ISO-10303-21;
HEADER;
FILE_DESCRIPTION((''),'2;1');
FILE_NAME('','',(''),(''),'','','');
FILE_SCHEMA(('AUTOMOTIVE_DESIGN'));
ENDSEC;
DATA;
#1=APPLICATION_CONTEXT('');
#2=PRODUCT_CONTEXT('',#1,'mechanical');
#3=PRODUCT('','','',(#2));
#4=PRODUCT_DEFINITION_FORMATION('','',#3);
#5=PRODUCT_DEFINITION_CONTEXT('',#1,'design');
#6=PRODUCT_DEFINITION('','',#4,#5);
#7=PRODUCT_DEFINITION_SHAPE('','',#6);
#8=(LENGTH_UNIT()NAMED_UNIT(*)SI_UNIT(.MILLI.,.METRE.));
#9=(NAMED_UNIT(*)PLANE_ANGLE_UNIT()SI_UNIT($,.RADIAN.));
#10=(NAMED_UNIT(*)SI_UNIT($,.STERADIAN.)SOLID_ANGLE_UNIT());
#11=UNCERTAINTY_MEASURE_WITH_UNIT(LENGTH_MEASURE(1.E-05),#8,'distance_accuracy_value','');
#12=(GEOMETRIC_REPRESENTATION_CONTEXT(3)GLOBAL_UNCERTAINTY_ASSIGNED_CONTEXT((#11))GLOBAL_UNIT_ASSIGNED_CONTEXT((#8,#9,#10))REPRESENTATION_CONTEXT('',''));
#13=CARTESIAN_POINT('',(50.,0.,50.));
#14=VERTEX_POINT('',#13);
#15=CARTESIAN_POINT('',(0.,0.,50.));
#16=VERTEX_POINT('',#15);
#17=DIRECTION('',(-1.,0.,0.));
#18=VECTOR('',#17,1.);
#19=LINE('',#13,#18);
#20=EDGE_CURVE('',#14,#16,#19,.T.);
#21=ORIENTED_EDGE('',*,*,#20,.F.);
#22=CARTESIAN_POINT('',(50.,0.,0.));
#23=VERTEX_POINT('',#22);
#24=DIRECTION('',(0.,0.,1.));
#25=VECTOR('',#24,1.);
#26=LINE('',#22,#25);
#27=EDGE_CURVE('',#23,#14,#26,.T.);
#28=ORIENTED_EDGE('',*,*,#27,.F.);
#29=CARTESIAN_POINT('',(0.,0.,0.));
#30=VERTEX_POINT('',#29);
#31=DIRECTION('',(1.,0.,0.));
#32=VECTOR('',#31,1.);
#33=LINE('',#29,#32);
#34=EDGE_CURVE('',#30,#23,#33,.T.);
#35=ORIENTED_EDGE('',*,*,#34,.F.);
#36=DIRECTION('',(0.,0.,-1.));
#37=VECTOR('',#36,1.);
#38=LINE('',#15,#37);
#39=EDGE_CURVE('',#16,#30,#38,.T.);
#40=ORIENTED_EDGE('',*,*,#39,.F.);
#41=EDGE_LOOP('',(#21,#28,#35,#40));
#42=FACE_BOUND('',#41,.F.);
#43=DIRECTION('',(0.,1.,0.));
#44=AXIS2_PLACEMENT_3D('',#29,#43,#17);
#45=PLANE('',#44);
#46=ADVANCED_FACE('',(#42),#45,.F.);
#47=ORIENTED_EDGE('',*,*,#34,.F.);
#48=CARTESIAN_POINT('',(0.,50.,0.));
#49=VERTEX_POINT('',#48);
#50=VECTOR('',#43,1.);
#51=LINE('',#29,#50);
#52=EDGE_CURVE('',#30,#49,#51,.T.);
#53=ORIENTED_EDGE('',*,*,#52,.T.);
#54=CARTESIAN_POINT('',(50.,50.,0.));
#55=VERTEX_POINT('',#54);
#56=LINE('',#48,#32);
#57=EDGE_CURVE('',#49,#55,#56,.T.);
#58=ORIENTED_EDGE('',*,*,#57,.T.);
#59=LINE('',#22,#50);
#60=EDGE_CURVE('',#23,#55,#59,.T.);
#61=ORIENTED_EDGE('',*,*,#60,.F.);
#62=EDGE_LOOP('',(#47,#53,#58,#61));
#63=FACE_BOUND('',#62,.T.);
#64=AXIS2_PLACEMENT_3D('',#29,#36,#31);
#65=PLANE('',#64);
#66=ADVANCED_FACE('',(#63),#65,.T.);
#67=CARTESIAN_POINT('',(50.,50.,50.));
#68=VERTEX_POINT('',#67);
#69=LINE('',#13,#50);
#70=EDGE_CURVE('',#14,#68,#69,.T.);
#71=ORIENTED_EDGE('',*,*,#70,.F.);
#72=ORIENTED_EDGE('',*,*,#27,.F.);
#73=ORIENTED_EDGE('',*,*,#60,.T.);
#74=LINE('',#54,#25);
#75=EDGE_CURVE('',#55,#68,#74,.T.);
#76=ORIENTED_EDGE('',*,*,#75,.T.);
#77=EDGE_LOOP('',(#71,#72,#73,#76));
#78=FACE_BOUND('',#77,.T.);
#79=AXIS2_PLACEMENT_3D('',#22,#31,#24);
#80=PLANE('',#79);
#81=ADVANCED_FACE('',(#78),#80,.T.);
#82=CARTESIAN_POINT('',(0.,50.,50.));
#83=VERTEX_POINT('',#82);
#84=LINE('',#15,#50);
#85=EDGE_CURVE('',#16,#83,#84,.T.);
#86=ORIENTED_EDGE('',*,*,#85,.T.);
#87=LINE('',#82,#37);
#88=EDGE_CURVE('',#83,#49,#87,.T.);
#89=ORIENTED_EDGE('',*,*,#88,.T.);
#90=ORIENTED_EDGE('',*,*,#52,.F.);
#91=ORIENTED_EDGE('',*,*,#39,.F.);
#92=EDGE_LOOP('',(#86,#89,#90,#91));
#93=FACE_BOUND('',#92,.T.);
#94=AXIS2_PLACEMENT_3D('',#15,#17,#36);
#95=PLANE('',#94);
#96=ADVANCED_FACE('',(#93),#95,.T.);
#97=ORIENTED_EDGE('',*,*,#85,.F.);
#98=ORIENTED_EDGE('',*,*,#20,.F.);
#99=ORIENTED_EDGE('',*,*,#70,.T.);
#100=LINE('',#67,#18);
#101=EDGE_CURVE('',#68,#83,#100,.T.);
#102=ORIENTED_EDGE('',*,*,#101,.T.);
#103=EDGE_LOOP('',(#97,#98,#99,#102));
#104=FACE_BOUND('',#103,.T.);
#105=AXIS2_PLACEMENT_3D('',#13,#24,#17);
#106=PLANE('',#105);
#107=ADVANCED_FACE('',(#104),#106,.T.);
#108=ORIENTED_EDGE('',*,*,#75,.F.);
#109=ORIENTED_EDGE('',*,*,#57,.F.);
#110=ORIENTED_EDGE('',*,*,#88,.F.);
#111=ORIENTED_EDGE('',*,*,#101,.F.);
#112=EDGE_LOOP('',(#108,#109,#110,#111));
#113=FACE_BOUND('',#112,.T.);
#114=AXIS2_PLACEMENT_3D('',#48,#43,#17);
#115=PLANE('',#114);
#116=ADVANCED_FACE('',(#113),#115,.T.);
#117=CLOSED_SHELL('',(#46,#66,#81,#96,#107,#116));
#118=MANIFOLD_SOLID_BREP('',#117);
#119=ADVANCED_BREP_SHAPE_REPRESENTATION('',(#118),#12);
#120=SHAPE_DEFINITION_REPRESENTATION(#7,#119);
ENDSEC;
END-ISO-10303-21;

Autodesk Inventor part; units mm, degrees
ref_plane "YZ Plane" through (0, 0, 0) normal (1, 0, 0) x (0, 1, 0)
ref_plane "XZ Plane" through (0, 0, 0) normal (0, 1, 0) x (-1, 0, 0)
ref_plane "XY Plane" through (0, 0, 0) normal (0, 0, 1) x (1, 0, 0)
sketch "Sketch2" plane through (0, 0, 0) normal (0, 1, 0) x (-1, 0, 0)
  line L0 (0, 0) -> (-50, 0)
  line L1 (-50, 0) -> (-50, 50)
  line L2 (-50, 50) -> (0, 50)
  line L3 (0, 50) -> (0, 0)
  dimension "d4" = 50
  dimension "d5" = 50
extrude "Extrusion2" add sketch "Sketch2" along normal blind 50
properties part number "Block"
